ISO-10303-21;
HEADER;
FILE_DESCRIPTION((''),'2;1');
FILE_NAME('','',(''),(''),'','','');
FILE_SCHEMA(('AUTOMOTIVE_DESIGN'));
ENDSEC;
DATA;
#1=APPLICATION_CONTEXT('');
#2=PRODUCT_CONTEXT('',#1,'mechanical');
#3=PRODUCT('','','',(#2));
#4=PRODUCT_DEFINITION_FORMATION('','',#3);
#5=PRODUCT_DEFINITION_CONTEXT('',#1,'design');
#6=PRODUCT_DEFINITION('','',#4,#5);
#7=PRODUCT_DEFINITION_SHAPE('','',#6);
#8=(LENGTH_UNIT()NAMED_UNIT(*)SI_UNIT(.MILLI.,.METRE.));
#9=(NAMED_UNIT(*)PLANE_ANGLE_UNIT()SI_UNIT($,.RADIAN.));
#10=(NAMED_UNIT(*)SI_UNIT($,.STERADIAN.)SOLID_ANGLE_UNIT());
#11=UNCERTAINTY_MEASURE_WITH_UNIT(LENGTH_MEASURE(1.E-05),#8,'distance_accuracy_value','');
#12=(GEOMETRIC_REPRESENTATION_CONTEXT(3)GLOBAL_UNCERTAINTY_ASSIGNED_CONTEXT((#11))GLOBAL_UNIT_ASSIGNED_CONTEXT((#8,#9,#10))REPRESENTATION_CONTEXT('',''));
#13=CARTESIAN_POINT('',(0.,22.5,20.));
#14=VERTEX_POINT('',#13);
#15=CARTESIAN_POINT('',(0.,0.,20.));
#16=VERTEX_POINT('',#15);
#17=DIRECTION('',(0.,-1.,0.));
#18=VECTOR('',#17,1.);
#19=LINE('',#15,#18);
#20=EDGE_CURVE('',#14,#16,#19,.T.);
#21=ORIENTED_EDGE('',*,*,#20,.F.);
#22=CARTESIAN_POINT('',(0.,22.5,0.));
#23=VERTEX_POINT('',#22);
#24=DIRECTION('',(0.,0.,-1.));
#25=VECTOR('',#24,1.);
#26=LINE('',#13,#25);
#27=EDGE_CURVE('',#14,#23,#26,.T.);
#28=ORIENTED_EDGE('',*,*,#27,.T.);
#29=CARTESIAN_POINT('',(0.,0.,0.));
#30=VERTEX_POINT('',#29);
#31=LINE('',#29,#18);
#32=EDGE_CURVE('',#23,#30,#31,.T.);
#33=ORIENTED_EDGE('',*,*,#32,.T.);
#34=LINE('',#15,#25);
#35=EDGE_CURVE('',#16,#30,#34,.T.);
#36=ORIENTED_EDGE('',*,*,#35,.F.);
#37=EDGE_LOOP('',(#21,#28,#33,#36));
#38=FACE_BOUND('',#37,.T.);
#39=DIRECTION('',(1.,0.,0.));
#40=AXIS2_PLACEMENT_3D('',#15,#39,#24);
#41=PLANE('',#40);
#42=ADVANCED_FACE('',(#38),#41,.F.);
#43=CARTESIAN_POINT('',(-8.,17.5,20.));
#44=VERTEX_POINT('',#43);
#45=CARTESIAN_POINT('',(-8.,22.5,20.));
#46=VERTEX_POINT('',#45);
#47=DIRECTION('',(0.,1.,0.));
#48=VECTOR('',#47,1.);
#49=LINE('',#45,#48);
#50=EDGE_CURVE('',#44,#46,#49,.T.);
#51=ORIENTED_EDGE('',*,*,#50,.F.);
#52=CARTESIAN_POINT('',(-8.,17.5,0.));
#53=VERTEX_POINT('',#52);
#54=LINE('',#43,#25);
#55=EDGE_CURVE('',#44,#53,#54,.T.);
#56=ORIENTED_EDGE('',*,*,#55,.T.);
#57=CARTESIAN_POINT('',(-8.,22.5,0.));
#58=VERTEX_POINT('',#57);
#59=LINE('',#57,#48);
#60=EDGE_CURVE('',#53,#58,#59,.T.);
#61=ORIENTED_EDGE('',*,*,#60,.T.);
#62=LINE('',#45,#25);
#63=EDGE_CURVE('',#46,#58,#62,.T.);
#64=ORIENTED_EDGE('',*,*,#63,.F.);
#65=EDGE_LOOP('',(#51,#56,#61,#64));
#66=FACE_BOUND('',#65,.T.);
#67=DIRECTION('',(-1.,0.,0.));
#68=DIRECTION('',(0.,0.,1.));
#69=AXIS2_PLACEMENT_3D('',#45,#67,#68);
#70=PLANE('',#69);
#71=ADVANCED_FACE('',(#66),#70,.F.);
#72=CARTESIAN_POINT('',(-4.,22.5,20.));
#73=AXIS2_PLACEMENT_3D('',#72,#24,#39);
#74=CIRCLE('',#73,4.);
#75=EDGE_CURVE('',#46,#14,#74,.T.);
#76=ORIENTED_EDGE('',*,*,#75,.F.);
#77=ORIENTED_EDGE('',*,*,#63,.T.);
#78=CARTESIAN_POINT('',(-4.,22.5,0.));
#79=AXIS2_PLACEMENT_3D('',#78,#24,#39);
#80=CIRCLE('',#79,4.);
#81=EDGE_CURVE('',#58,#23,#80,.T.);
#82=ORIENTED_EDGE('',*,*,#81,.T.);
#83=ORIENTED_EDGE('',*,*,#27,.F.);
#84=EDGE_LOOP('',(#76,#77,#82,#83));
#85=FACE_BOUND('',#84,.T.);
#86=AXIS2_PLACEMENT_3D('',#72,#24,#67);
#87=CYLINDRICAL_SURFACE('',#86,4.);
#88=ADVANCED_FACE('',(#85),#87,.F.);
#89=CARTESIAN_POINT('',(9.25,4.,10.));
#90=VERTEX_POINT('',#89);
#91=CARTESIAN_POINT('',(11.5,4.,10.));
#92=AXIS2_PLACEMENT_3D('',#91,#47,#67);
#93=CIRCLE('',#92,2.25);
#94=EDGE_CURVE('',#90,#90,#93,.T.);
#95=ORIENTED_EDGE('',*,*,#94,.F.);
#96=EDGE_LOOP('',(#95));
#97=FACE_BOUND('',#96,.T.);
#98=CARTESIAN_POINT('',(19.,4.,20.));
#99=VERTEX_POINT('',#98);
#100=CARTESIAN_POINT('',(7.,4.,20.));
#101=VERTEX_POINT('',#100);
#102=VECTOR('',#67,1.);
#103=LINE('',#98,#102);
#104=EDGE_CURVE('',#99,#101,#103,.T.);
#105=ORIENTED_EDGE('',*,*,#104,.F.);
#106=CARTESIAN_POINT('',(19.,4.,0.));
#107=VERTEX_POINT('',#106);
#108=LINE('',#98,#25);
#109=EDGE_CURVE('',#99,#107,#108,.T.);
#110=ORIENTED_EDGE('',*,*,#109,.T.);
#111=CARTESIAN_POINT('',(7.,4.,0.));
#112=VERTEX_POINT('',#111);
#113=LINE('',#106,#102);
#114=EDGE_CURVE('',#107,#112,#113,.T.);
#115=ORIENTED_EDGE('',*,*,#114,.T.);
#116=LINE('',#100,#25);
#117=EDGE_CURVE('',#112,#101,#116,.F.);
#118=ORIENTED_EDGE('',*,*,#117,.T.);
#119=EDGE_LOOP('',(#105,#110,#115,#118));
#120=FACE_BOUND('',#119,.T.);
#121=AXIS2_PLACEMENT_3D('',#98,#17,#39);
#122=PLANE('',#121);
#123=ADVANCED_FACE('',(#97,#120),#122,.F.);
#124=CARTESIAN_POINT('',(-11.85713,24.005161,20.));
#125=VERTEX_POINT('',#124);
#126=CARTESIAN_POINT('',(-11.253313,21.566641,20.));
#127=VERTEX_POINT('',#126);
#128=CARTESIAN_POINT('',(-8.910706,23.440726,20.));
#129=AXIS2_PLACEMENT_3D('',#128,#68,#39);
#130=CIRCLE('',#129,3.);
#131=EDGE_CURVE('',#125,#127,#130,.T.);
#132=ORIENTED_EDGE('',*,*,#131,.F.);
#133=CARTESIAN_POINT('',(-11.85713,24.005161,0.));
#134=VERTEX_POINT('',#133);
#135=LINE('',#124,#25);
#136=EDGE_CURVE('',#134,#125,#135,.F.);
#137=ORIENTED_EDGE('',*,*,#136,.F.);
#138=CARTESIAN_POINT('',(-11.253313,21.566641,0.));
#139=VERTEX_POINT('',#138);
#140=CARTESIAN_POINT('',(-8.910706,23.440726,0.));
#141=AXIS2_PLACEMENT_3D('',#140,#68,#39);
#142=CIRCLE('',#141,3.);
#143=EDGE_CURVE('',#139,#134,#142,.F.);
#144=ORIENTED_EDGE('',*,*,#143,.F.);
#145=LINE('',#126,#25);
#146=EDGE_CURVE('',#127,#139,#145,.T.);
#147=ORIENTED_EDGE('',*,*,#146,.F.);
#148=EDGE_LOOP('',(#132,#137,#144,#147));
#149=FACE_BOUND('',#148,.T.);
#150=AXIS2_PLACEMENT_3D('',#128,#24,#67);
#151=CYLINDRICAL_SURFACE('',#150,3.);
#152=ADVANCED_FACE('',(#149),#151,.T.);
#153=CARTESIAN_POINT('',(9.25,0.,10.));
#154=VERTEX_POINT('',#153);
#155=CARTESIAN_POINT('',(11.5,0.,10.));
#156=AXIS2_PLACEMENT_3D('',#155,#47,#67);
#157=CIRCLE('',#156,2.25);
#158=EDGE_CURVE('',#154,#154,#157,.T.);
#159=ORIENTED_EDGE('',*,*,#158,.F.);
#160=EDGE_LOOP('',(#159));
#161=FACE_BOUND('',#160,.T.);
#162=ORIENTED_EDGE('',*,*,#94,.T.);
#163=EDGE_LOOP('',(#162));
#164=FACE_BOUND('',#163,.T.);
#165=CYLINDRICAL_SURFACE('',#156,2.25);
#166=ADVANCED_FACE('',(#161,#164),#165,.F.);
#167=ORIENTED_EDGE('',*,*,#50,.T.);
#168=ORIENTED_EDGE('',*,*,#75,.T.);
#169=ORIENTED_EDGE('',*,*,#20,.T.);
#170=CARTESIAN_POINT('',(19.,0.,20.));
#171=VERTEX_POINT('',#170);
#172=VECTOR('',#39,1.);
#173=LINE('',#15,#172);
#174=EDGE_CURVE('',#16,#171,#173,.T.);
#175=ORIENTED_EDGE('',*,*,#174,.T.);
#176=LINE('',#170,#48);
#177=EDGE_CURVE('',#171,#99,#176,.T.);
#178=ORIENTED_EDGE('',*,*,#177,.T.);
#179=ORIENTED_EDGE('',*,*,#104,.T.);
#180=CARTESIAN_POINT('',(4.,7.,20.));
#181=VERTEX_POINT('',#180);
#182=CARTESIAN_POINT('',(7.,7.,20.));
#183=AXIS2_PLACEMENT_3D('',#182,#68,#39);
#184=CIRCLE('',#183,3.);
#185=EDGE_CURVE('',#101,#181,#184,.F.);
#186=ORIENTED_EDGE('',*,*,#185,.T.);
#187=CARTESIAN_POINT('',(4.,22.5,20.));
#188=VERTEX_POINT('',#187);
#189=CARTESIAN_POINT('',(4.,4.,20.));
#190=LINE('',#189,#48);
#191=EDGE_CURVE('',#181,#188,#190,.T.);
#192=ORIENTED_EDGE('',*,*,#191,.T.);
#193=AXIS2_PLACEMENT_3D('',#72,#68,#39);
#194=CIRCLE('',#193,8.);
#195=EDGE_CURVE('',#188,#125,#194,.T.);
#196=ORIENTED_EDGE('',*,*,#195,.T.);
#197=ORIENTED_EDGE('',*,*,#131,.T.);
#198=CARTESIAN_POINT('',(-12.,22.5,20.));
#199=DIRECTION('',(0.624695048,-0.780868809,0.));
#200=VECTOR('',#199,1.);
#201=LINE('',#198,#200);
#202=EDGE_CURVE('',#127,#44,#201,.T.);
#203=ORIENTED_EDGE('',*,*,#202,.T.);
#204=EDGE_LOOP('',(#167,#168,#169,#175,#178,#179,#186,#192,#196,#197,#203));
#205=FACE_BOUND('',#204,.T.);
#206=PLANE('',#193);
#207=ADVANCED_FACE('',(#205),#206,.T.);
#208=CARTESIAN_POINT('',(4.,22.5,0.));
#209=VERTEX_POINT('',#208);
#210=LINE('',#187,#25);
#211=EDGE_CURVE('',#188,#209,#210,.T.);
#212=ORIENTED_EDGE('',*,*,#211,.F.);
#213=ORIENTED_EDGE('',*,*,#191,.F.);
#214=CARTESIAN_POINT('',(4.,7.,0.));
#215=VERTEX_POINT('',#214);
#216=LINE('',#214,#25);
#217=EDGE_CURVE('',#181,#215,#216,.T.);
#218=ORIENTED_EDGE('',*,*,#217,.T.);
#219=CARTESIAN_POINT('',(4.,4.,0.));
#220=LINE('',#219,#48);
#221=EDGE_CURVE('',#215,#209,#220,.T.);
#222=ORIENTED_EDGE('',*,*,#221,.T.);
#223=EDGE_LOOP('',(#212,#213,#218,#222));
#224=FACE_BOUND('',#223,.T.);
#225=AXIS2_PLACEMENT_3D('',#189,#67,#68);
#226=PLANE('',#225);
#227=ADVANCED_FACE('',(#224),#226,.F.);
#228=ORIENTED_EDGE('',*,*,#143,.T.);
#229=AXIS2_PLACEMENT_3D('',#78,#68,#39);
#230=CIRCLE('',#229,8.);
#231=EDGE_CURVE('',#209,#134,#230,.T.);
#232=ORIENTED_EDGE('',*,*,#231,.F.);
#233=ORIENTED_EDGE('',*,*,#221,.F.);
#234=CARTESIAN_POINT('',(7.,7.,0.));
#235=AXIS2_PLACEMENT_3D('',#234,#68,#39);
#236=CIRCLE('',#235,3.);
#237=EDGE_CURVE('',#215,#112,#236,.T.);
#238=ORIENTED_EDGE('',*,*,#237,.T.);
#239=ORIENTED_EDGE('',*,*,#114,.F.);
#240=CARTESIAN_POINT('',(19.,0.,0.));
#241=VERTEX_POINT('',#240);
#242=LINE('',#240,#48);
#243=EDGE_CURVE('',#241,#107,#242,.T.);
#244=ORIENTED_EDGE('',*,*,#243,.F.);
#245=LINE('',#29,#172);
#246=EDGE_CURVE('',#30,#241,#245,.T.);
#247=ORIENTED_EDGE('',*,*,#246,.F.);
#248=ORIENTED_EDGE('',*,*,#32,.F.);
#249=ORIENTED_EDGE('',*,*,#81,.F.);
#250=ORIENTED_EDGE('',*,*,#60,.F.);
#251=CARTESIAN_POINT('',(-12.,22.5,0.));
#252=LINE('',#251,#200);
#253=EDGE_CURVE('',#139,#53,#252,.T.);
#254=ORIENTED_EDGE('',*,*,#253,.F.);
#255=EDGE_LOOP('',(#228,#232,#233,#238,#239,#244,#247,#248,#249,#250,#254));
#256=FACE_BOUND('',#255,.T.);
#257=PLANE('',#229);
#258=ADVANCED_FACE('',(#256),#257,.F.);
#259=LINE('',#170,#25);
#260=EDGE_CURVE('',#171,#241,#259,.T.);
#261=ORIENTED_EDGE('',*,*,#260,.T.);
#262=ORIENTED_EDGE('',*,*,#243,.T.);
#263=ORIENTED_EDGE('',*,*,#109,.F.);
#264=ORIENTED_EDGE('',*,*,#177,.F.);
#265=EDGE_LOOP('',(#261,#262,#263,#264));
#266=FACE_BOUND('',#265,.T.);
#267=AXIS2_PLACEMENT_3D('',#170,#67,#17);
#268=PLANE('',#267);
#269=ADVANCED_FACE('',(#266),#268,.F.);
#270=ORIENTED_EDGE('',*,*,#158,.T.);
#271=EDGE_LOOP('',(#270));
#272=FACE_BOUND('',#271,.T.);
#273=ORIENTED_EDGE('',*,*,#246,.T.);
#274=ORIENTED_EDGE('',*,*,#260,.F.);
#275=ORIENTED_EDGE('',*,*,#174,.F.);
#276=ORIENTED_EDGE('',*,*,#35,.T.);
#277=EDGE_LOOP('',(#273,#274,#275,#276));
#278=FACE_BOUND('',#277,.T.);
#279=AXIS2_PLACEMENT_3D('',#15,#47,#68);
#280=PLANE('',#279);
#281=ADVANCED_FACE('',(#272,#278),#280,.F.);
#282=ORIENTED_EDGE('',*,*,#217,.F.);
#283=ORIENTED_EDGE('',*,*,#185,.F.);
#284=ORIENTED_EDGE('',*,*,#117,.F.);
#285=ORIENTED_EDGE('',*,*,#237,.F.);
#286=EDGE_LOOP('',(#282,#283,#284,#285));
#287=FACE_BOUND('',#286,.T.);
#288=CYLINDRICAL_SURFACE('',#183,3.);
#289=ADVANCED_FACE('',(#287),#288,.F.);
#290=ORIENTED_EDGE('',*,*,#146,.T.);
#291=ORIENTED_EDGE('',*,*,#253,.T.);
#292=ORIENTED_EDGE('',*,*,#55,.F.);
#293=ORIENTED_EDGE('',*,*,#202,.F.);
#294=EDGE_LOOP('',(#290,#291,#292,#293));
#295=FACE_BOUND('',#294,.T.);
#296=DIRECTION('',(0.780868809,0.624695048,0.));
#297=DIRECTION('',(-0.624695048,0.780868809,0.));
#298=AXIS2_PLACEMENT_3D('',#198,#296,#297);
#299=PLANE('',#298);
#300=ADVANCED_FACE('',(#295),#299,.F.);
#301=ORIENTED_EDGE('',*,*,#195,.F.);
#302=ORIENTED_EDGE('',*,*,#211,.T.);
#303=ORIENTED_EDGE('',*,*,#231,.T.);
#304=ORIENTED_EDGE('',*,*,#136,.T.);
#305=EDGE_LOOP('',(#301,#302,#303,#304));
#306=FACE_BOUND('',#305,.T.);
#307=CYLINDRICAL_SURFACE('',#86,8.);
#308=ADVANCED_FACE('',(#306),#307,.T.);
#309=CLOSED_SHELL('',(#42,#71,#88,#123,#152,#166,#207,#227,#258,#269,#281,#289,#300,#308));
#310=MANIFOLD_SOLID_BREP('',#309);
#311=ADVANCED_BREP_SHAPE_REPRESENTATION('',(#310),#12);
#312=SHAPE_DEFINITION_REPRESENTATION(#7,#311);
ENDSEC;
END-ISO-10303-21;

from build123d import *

# Parameters (mm, degrees)
SALIENTE_EXTRUIR1_DEPTH = 20
CROQUIS2_R              = 2.25
CORTAR_EXTRUIR1_DEPTH   = 4
REDONDEO1_R             = 3


with BuildPart() as part:
    # Croquis1 → Saliente-Extruir1 (new body)
    with BuildSketch(Plane.XY):
        with BuildLine():
            Line((0, 0), (0, 22.5))
            ThreePointArc((0, 22.5), (-4, 26.5), (-8, 22.5))
            Line((-8, 22.5), (-8, 17.5))
            Line((-8, 17.5), (-12, 22.5))
            ThreePointArc((-12, 22.5), (-4, 30.5), (4, 22.5))
            Line((4, 22.5), (4, 4))
            Line((4, 4), (19, 4))
            Line((19, 4), (19, 0))
            Line((19, 0), (0, 0))
        make_face()
    extrude(amount=SALIENTE_EXTRUIR1_DEPTH)

    # Croquis2 → Cortar-Extruir1 (cut)
    with BuildSketch(Plane(origin=(0, 4, 0), x_dir=(1, 0, 0), z_dir=(0, 1, 0))):
        with Locations((11.5, -10)):
            Circle(CROQUIS2_R)
    extrude(amount=-CORTAR_EXTRUIR1_DEPTH, mode=Mode.SUBTRACT)

    # Redondeo1
    redondeo1_edges = [part.edges().sort_by_distance(p)[0] for p in [
        (-12, 22.5, 10),
        (4, 4, 10),
    ]]
    fillet(redondeo1_edges, radius=REDONDEO1_R)


solid = part.part
